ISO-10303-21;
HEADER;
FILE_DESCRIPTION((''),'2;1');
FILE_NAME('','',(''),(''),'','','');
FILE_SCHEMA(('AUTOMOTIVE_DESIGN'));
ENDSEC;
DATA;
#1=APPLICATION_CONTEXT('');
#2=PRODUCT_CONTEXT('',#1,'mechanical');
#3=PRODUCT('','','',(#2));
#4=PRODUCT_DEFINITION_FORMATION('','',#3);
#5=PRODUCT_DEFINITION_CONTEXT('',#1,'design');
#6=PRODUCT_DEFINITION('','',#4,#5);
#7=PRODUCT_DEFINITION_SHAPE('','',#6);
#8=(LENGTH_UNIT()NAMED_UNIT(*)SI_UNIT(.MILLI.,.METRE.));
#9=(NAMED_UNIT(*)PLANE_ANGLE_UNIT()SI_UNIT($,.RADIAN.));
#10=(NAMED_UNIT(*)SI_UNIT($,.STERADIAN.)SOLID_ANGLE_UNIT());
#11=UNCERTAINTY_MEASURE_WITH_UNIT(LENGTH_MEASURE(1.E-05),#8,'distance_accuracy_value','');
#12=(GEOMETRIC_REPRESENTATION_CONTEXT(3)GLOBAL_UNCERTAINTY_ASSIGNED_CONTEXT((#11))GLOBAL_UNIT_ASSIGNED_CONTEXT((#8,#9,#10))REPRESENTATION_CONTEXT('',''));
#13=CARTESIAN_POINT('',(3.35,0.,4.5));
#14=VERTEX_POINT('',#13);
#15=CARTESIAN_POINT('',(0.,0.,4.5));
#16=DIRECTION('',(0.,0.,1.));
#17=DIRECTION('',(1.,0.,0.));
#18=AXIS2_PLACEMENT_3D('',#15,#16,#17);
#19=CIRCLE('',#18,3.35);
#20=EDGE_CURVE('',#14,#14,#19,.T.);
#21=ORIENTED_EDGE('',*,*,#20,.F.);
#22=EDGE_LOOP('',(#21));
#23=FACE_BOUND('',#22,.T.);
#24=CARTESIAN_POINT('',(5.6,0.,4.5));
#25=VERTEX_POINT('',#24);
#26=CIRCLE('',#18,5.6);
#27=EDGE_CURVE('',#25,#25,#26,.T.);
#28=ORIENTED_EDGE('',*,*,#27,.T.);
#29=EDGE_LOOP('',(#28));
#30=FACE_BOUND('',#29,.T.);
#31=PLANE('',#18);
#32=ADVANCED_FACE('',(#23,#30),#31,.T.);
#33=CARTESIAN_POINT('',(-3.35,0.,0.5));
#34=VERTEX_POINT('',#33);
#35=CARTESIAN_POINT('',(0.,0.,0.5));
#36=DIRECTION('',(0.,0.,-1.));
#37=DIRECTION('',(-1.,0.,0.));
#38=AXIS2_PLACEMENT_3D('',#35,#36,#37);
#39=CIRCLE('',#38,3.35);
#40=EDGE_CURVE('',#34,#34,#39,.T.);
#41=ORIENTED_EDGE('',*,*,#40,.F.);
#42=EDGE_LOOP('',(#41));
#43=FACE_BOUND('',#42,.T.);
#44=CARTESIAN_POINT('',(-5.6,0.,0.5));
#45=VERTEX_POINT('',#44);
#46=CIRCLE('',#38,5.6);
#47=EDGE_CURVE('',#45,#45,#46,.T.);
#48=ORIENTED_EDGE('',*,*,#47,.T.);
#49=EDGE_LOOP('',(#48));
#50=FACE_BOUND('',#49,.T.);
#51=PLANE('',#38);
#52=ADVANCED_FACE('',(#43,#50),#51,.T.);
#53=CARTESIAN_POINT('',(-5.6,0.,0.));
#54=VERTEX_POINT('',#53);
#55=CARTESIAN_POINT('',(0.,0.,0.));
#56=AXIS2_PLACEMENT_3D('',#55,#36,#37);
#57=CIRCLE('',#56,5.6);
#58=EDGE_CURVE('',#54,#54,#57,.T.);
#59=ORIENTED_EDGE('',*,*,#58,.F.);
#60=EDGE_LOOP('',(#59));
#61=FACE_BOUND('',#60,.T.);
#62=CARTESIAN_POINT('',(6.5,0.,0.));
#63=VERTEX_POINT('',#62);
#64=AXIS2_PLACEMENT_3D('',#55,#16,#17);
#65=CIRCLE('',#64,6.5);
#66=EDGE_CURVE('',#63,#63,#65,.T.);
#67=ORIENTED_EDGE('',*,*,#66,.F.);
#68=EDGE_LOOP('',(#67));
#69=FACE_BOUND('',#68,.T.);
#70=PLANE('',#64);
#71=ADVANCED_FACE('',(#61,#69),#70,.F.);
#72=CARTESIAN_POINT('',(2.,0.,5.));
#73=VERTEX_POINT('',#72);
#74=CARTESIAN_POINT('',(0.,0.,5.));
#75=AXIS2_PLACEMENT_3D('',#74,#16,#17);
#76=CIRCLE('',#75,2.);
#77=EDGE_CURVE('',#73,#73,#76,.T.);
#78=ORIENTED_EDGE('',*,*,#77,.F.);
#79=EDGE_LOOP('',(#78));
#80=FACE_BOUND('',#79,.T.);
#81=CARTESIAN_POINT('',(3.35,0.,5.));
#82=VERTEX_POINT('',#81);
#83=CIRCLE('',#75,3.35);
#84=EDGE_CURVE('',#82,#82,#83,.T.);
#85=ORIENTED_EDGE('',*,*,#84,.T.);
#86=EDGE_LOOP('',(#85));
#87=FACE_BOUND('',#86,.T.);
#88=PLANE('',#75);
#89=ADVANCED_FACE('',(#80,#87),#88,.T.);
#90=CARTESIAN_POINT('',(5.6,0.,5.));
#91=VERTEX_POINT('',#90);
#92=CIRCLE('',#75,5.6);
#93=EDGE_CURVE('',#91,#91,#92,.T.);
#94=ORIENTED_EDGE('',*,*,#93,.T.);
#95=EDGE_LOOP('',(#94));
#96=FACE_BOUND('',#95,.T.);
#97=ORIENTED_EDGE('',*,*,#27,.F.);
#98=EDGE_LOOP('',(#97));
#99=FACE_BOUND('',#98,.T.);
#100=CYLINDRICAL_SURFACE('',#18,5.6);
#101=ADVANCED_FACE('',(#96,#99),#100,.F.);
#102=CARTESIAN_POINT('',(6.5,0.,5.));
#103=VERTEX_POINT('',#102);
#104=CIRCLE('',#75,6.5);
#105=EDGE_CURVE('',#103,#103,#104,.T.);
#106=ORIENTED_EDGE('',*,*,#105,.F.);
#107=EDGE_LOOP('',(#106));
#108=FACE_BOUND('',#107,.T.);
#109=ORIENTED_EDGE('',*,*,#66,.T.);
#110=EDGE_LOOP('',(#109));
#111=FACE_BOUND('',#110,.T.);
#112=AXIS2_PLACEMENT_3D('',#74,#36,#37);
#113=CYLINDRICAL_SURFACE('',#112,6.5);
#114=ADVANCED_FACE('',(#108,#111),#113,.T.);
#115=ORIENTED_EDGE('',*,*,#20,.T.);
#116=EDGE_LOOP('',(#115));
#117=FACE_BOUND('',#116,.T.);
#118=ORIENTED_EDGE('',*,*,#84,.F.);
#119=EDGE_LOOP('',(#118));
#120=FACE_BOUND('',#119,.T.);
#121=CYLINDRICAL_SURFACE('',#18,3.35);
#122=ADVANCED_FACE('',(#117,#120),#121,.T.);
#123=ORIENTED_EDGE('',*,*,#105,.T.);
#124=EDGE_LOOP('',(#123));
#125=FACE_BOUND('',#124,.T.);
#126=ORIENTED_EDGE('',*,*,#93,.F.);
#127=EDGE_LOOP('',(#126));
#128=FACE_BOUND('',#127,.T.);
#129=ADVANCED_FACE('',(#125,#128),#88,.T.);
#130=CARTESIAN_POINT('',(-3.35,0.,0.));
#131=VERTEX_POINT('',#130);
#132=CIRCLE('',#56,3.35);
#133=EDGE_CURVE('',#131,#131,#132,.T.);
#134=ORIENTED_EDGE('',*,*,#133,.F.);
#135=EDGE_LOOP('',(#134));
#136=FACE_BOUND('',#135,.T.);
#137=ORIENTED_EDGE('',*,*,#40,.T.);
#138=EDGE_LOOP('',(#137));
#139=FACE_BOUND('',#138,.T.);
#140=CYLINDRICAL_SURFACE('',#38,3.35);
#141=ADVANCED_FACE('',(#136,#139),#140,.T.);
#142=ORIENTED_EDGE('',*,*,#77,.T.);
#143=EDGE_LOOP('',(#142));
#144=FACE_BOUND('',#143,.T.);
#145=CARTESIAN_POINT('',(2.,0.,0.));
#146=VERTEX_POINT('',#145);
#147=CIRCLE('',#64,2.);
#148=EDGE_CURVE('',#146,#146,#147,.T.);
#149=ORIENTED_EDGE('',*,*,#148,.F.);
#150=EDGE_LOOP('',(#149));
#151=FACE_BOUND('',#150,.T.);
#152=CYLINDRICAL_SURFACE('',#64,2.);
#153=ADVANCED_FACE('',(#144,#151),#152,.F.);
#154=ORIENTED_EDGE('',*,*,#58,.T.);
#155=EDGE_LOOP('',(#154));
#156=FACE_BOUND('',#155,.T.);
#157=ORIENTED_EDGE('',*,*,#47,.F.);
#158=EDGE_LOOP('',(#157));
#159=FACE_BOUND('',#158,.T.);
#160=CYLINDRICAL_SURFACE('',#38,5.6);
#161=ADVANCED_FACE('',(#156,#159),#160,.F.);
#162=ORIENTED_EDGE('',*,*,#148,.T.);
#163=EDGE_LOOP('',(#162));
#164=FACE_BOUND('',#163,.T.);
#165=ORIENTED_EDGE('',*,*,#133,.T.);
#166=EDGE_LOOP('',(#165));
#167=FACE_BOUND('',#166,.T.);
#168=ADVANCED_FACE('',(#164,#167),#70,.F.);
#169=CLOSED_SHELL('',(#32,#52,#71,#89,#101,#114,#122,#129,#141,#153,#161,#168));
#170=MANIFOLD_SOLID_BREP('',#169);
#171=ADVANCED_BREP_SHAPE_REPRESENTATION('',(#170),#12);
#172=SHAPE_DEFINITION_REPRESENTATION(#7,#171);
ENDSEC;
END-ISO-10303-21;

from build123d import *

# Parameters (mm, degrees)
SKETCH_1_R          = 6.5
EXTRUDE_1_DEPTH     = 5
SKETCH_2_R          = 2
CUT_EXTRUDE_1_DEPTH = 6
SKETCH_3_R          = 5.6
SKETCH_3_R_2        = 3.35
CUT_EXTRUDE_2_DEPTH = 0.5
SKETCH_4_R          = 5.6
SKETCH_4_R_2        = 3.35
CUT_EXTRUDE_3_DEPTH = 0.5


with BuildPart() as part:
    # 草圖1 → 填料-伸長1 (new body)
    with BuildSketch(Plane.XY):
        Circle(SKETCH_1_R)
    extrude(amount=EXTRUDE_1_DEPTH)

    # 草圖2 → 除料-伸長1 (cut, through all)
    with BuildSketch(Plane.XY.offset(5)):
        Circle(SKETCH_2_R)
    extrude(amount=-CUT_EXTRUDE_1_DEPTH, mode=Mode.SUBTRACT)

    # 草圖3 → 除料-伸長2 (cut)
    with BuildSketch(Plane.XY.offset(5)):
        Circle(SKETCH_3_R)
        Circle(SKETCH_3_R_2, mode=Mode.SUBTRACT)
    extrude(amount=-CUT_EXTRUDE_2_DEPTH, mode=Mode.SUBTRACT)

    # 草圖4 → 除料-伸長3 (cut)
    with BuildSketch(Plane(origin=(0, 0, 0), x_dir=(-1, 0, 0), z_dir=(0, 0, -1))):
        Circle(SKETCH_4_R)
        Circle(SKETCH_4_R_2, mode=Mode.SUBTRACT)
    extrude(amount=-CUT_EXTRUDE_3_DEPTH, mode=Mode.SUBTRACT)


solid = part.part
